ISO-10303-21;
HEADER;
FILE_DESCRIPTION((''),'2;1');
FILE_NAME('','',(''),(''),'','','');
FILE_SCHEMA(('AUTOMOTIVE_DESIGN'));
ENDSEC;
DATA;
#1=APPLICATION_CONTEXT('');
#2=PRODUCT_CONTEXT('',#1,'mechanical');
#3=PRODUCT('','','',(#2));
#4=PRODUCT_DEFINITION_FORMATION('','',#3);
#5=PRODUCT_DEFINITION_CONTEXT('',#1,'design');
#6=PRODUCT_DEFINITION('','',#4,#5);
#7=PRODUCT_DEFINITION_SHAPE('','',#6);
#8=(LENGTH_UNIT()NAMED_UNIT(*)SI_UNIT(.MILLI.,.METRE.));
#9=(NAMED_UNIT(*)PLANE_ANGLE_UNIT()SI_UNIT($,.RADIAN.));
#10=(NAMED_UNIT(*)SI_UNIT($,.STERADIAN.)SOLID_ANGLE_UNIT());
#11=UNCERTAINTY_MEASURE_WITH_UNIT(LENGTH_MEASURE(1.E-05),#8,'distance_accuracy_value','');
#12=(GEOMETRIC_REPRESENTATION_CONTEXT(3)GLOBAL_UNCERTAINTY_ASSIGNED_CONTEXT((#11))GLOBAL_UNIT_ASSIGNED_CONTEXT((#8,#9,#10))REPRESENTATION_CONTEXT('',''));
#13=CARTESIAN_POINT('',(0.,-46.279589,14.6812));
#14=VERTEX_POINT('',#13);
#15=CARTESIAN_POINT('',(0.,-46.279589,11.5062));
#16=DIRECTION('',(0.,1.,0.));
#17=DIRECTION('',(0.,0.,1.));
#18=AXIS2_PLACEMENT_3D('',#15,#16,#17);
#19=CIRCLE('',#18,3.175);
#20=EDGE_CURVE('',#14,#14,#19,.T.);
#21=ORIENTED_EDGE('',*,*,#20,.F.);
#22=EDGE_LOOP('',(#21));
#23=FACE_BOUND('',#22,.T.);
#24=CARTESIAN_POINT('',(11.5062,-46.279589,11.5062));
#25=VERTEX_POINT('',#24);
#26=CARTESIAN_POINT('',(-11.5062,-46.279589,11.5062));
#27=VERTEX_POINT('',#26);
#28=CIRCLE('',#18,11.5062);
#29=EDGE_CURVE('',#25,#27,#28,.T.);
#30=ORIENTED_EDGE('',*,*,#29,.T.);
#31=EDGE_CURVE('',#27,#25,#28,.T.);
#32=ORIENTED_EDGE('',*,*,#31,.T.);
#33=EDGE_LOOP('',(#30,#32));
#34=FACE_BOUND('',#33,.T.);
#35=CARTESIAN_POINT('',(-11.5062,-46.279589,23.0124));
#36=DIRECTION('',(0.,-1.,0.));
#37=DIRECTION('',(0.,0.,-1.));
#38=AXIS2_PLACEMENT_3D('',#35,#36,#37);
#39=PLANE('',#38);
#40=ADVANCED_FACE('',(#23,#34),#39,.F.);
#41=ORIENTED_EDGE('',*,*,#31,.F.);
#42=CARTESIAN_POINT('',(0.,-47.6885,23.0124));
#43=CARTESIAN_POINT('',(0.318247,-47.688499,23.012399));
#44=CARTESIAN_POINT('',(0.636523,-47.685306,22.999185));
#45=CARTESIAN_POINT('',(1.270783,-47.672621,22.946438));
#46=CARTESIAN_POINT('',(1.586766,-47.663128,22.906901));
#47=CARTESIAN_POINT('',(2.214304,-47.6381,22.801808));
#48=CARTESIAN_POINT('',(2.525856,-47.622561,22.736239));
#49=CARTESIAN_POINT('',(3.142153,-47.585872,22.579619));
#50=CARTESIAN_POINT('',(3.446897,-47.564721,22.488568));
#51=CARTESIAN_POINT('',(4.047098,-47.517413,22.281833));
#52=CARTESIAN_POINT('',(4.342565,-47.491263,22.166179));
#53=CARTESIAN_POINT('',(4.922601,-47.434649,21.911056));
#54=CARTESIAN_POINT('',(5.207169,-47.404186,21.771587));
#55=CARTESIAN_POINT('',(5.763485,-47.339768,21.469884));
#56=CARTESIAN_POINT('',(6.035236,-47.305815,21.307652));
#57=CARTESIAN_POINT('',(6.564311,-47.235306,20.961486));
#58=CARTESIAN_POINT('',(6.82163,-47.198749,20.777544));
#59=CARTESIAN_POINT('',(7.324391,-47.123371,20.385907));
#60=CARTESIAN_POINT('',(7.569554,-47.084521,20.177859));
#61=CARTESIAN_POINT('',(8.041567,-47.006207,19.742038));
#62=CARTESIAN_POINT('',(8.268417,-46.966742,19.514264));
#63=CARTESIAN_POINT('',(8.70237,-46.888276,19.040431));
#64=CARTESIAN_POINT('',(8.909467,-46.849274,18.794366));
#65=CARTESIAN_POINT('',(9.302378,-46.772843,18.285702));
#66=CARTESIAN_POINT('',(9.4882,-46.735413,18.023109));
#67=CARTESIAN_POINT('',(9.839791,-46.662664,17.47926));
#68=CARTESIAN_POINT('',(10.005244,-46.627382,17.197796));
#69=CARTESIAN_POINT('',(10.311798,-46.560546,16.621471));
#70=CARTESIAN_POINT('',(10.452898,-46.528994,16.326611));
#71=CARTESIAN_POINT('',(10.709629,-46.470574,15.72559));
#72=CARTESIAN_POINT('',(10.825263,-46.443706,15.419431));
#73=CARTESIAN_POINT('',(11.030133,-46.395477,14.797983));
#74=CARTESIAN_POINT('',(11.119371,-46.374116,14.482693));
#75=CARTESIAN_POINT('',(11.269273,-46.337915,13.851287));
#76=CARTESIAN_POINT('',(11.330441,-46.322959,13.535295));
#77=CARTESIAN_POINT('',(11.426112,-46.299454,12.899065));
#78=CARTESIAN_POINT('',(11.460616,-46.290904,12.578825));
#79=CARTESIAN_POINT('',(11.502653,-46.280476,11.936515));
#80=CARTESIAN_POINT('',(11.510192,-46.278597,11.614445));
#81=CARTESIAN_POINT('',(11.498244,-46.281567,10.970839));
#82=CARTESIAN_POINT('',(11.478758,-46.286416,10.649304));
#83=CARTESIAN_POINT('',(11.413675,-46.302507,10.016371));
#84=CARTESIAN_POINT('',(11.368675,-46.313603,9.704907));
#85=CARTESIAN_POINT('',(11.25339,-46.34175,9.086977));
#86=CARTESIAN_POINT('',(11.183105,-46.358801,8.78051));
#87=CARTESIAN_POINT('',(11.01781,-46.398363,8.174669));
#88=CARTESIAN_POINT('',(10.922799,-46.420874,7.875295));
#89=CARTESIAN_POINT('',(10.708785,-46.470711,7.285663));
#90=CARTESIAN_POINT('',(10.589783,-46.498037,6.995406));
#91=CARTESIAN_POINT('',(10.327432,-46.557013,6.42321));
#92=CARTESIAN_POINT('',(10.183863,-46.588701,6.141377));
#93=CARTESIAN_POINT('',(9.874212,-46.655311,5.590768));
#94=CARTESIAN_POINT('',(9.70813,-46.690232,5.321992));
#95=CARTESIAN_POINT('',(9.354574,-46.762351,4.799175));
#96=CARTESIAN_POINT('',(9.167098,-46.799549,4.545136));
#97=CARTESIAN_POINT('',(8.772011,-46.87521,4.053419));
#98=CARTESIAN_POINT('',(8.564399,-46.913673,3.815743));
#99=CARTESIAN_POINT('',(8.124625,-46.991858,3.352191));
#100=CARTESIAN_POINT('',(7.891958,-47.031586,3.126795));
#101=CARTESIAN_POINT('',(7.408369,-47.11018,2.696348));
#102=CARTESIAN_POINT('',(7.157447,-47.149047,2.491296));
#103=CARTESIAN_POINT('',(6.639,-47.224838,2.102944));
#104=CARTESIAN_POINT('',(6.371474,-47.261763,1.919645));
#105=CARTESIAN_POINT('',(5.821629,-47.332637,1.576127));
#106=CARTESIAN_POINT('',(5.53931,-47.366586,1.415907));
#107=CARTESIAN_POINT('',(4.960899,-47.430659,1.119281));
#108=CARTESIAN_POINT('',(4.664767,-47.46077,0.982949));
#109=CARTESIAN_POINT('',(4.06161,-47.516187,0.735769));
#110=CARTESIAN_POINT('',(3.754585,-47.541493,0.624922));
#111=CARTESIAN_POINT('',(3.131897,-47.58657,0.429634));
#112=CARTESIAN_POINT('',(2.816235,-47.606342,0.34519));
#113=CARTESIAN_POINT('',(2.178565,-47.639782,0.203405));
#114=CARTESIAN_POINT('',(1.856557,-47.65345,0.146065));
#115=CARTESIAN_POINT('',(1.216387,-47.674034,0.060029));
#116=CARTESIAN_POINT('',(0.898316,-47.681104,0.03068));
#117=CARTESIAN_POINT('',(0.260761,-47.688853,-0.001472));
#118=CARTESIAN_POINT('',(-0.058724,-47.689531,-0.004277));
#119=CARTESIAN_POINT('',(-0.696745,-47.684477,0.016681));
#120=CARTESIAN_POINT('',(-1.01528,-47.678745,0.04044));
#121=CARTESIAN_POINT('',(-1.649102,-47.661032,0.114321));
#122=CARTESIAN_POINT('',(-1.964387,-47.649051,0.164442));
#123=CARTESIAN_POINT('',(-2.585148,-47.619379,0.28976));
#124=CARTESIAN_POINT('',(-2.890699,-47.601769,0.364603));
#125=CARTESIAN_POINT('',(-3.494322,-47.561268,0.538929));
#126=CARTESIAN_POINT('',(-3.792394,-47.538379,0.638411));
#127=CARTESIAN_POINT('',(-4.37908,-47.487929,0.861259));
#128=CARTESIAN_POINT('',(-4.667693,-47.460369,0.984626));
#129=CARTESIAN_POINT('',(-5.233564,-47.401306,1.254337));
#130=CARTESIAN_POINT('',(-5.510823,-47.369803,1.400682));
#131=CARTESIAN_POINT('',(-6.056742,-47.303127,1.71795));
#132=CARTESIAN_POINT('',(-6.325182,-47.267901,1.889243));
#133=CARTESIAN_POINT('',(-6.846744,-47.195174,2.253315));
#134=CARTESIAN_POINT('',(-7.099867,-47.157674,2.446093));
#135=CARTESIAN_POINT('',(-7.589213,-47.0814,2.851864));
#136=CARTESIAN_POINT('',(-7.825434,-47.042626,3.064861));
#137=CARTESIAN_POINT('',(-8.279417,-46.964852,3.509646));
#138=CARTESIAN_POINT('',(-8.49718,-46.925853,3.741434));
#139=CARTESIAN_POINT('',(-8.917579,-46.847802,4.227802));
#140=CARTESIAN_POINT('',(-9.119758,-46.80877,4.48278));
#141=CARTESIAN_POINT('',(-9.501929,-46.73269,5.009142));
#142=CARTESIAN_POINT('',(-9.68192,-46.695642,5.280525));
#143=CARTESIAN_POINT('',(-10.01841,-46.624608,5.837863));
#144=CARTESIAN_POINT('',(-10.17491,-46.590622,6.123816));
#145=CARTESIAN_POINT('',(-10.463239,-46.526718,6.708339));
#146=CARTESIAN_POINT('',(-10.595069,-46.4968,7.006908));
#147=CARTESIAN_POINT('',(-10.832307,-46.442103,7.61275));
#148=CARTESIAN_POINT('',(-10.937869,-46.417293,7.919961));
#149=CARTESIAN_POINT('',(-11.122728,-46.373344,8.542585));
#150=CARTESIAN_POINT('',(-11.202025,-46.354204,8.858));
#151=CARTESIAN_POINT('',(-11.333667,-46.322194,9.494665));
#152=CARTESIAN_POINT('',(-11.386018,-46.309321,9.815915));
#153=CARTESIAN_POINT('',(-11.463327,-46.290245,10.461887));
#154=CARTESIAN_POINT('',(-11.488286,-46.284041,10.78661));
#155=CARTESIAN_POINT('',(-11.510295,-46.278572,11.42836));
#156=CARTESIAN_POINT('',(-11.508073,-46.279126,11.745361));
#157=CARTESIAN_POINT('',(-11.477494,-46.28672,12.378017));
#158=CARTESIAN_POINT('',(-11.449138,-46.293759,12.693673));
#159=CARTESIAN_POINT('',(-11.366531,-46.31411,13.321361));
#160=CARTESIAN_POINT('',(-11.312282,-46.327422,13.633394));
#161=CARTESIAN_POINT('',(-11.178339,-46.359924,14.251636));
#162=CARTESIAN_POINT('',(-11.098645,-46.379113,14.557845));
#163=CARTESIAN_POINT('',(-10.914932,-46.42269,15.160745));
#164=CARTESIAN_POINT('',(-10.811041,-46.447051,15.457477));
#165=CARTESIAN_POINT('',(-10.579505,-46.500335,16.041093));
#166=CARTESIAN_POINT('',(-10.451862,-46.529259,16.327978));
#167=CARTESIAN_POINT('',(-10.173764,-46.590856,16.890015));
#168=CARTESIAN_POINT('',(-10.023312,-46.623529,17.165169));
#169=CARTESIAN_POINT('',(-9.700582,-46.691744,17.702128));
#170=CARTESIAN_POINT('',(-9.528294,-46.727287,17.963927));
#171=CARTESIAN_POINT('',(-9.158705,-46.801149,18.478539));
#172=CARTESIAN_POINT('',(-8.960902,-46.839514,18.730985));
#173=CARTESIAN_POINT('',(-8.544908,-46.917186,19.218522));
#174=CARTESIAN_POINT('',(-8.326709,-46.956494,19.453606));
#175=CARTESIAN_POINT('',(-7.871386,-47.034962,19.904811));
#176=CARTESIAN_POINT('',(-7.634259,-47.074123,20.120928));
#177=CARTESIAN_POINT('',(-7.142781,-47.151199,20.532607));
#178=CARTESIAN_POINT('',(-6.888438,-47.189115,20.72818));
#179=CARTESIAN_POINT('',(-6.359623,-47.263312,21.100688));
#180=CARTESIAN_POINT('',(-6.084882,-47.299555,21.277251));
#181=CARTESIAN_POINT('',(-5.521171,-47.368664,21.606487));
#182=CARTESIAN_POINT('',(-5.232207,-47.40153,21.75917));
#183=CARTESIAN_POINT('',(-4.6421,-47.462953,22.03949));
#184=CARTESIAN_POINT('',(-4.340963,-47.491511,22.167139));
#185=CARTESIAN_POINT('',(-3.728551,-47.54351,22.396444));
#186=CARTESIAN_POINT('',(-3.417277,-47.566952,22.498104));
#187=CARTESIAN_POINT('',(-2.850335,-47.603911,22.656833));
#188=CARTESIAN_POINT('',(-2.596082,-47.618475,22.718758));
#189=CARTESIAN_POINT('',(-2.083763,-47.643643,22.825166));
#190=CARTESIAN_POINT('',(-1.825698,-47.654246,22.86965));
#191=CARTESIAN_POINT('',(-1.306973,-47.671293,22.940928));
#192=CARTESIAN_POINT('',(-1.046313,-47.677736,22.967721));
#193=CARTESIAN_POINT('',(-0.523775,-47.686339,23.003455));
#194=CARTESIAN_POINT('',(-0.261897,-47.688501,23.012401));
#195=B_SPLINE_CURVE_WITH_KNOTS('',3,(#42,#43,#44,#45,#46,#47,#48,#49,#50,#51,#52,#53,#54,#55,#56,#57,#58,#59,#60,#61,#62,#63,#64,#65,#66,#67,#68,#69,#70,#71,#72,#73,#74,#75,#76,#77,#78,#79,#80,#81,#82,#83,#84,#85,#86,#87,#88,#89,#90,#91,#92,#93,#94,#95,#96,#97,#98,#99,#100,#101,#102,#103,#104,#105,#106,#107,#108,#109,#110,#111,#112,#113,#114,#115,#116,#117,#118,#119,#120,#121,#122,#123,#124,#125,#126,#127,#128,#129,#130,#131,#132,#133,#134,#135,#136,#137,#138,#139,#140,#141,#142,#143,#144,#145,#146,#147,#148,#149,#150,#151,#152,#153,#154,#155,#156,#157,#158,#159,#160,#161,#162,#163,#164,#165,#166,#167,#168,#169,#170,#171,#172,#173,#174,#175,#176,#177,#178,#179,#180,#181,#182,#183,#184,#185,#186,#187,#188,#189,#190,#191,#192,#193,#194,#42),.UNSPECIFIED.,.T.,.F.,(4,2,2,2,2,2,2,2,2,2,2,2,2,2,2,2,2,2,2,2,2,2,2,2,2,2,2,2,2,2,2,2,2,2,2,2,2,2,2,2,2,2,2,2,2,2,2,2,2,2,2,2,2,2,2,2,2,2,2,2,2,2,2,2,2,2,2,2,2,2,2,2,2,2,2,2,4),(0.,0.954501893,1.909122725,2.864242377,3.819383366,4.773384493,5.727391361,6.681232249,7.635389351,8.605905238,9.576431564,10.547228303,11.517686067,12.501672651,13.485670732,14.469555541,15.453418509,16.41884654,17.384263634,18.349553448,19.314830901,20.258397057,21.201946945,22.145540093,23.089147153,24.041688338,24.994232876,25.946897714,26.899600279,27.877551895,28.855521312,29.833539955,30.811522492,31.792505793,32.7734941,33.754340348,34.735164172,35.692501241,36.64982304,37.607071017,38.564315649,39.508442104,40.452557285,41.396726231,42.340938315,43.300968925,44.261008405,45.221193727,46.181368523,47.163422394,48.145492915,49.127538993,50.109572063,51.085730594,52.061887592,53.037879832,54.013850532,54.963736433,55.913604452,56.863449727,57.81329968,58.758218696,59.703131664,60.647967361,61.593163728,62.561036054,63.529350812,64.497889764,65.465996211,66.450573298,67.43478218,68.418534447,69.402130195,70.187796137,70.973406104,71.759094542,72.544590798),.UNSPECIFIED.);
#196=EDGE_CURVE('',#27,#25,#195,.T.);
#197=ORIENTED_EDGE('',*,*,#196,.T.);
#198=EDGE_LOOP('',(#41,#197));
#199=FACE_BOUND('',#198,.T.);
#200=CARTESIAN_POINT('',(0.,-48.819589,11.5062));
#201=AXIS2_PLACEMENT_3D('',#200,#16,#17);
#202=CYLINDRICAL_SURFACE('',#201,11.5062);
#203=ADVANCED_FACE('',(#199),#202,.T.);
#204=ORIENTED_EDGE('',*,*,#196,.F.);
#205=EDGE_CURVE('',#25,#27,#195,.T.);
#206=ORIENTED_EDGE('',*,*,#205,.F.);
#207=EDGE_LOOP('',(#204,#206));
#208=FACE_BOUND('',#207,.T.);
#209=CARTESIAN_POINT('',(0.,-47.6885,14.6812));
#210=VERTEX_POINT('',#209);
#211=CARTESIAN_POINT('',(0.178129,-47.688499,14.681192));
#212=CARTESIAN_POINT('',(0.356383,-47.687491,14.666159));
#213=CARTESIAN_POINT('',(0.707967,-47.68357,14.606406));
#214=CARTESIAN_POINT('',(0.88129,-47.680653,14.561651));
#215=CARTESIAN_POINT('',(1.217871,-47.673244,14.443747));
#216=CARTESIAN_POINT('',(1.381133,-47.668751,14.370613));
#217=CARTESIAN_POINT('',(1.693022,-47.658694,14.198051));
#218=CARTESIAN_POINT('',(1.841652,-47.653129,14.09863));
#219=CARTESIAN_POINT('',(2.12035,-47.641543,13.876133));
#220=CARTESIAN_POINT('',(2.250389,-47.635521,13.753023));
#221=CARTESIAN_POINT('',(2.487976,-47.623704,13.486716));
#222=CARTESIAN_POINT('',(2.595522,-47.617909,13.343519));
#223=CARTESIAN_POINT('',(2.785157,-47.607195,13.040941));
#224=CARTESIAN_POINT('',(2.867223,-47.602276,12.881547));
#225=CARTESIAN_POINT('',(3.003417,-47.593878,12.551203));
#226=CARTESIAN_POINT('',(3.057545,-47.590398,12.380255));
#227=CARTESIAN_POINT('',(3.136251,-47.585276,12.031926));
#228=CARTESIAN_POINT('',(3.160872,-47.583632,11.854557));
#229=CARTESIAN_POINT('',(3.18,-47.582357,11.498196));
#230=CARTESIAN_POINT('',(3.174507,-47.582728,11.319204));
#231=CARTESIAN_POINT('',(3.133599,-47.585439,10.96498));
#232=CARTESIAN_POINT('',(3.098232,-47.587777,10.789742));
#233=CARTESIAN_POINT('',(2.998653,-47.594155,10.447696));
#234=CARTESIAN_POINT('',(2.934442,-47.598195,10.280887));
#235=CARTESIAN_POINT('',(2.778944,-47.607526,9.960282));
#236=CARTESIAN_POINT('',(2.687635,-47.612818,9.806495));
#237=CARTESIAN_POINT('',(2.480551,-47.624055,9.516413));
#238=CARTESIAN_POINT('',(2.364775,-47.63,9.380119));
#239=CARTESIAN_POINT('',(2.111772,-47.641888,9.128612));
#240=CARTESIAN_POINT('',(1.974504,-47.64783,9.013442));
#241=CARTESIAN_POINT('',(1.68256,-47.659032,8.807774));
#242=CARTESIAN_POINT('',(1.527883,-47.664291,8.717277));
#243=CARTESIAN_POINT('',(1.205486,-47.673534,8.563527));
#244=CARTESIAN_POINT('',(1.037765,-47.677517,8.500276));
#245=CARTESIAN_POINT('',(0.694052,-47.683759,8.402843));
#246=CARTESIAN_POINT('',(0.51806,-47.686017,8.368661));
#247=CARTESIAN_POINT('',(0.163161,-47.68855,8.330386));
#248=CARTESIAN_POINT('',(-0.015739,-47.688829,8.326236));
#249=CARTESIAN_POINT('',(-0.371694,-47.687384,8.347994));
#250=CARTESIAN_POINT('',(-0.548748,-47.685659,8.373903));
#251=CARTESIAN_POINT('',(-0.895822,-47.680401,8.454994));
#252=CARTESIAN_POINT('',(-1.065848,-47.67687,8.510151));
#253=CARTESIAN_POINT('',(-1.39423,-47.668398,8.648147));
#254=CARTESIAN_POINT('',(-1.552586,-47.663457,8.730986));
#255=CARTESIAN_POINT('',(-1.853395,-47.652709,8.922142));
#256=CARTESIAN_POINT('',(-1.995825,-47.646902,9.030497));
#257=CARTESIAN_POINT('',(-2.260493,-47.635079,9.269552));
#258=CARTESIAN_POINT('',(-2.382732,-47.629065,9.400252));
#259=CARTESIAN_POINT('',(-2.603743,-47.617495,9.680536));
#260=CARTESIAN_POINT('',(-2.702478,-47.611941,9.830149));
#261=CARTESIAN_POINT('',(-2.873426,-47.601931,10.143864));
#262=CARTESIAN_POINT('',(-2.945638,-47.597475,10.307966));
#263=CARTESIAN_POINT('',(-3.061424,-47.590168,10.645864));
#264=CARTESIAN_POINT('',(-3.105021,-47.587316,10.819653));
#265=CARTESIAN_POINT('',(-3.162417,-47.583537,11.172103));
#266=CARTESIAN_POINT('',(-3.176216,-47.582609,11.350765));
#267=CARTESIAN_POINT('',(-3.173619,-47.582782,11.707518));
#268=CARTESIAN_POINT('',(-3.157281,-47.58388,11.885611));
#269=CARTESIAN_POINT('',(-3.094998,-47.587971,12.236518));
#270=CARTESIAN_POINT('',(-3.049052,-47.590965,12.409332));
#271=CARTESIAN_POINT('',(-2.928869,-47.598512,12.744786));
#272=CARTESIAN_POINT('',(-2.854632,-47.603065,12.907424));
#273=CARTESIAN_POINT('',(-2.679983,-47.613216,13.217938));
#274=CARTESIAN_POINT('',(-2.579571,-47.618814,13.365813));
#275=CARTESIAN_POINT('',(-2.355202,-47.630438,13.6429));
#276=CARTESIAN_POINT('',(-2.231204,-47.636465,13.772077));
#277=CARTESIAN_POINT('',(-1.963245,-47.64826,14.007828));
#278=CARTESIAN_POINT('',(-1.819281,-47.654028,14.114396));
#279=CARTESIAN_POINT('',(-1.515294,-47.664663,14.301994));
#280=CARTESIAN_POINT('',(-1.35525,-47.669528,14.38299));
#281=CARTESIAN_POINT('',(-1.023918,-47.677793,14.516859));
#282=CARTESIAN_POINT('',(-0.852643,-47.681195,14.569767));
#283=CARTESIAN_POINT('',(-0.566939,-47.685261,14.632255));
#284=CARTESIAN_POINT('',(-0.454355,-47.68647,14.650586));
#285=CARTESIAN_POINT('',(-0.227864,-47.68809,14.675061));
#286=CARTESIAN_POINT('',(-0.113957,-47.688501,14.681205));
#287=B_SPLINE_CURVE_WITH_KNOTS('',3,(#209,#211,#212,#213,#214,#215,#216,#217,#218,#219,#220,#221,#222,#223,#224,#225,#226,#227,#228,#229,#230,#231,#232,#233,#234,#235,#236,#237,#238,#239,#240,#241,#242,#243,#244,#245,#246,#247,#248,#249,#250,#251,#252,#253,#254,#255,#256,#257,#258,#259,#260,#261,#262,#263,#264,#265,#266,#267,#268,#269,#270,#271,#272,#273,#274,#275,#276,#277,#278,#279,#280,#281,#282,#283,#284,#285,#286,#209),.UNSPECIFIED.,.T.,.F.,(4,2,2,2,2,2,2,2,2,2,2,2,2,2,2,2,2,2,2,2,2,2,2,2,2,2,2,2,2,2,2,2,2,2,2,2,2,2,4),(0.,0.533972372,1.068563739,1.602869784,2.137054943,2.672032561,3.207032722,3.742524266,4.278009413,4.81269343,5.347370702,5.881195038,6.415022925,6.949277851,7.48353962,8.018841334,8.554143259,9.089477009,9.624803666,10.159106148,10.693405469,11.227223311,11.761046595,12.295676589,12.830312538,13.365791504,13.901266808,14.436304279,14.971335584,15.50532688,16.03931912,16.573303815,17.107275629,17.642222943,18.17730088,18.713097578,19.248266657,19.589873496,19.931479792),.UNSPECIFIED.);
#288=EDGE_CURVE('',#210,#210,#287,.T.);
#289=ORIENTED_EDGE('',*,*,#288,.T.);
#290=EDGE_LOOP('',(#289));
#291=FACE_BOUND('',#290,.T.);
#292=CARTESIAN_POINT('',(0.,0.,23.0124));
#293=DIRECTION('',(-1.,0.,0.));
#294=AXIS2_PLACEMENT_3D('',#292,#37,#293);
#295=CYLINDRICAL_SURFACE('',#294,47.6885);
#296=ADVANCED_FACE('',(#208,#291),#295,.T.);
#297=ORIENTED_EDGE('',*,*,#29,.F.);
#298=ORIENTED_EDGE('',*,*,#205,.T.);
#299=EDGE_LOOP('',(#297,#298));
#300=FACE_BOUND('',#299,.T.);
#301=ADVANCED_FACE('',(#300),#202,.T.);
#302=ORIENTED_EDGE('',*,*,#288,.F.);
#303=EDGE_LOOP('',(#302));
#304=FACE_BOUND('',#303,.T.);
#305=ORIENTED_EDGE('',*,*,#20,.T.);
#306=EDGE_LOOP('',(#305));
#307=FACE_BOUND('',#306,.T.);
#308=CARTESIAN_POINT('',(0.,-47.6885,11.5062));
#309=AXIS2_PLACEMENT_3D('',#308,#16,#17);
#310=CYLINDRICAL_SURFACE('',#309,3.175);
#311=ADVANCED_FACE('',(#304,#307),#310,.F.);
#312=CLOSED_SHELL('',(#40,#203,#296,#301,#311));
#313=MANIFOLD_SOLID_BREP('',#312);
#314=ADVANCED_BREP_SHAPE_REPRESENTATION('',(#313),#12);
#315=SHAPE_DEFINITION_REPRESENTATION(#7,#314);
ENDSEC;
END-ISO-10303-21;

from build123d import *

# Parameters (mm, degrees)
BOSS_EXTRUDE1_DEPTH = 23.0124
SKETCH2_W           = 44.611940252
SKETCH2_H           = 41.110401543
SKETCH2_R           = 11.5062
CUT_EXTRUDE3_DEPTH  = 2.54
SKETCH3_R           = 3.175
CUT_EXTRUDE4_DEPTH  = 2.408910713


with BuildPart() as part:
    # Sketch1 → Boss-Extrude1 (new body)
    with BuildSketch(Plane.XY):
        with BuildLine():
            Line((-11.5062, -46.279589387), (11.5062, -46.279589387))
            ThreePointArc((11.5062, -46.279589387), (0, -47.6885), (-11.5062, -46.279589387))
        make_face()
    extrude(amount=BOSS_EXTRUDE1_DEPTH)

    # Sketch2 → Cut-Extrude3 (cut)
    with BuildSketch(Plane(origin=(0, -46.279589387, 0), x_dir=(1, 0, 0), z_dir=(0, 1, 0))):
        with Locations((2.111795661, -11.044209065)):
            Rectangle(SKETCH2_W, SKETCH2_H)
        with Locations((0, -11.5062)):
            Circle(SKETCH2_R, mode=Mode.SUBTRACT)
    extrude(amount=-CUT_EXTRUDE3_DEPTH, mode=Mode.SUBTRACT)

    # Sketch3 → Cut-Extrude4 (cut, through all)
    with BuildSketch(Plane(origin=(0, -46.279589387, 0), x_dir=(1, 0, 0), z_dir=(0, 1, 0))):
        with Locations((0, -11.5062)):
            Circle(SKETCH3_R)
    extrude(amount=-CUT_EXTRUDE4_DEPTH, mode=Mode.SUBTRACT)


solid = part.part
